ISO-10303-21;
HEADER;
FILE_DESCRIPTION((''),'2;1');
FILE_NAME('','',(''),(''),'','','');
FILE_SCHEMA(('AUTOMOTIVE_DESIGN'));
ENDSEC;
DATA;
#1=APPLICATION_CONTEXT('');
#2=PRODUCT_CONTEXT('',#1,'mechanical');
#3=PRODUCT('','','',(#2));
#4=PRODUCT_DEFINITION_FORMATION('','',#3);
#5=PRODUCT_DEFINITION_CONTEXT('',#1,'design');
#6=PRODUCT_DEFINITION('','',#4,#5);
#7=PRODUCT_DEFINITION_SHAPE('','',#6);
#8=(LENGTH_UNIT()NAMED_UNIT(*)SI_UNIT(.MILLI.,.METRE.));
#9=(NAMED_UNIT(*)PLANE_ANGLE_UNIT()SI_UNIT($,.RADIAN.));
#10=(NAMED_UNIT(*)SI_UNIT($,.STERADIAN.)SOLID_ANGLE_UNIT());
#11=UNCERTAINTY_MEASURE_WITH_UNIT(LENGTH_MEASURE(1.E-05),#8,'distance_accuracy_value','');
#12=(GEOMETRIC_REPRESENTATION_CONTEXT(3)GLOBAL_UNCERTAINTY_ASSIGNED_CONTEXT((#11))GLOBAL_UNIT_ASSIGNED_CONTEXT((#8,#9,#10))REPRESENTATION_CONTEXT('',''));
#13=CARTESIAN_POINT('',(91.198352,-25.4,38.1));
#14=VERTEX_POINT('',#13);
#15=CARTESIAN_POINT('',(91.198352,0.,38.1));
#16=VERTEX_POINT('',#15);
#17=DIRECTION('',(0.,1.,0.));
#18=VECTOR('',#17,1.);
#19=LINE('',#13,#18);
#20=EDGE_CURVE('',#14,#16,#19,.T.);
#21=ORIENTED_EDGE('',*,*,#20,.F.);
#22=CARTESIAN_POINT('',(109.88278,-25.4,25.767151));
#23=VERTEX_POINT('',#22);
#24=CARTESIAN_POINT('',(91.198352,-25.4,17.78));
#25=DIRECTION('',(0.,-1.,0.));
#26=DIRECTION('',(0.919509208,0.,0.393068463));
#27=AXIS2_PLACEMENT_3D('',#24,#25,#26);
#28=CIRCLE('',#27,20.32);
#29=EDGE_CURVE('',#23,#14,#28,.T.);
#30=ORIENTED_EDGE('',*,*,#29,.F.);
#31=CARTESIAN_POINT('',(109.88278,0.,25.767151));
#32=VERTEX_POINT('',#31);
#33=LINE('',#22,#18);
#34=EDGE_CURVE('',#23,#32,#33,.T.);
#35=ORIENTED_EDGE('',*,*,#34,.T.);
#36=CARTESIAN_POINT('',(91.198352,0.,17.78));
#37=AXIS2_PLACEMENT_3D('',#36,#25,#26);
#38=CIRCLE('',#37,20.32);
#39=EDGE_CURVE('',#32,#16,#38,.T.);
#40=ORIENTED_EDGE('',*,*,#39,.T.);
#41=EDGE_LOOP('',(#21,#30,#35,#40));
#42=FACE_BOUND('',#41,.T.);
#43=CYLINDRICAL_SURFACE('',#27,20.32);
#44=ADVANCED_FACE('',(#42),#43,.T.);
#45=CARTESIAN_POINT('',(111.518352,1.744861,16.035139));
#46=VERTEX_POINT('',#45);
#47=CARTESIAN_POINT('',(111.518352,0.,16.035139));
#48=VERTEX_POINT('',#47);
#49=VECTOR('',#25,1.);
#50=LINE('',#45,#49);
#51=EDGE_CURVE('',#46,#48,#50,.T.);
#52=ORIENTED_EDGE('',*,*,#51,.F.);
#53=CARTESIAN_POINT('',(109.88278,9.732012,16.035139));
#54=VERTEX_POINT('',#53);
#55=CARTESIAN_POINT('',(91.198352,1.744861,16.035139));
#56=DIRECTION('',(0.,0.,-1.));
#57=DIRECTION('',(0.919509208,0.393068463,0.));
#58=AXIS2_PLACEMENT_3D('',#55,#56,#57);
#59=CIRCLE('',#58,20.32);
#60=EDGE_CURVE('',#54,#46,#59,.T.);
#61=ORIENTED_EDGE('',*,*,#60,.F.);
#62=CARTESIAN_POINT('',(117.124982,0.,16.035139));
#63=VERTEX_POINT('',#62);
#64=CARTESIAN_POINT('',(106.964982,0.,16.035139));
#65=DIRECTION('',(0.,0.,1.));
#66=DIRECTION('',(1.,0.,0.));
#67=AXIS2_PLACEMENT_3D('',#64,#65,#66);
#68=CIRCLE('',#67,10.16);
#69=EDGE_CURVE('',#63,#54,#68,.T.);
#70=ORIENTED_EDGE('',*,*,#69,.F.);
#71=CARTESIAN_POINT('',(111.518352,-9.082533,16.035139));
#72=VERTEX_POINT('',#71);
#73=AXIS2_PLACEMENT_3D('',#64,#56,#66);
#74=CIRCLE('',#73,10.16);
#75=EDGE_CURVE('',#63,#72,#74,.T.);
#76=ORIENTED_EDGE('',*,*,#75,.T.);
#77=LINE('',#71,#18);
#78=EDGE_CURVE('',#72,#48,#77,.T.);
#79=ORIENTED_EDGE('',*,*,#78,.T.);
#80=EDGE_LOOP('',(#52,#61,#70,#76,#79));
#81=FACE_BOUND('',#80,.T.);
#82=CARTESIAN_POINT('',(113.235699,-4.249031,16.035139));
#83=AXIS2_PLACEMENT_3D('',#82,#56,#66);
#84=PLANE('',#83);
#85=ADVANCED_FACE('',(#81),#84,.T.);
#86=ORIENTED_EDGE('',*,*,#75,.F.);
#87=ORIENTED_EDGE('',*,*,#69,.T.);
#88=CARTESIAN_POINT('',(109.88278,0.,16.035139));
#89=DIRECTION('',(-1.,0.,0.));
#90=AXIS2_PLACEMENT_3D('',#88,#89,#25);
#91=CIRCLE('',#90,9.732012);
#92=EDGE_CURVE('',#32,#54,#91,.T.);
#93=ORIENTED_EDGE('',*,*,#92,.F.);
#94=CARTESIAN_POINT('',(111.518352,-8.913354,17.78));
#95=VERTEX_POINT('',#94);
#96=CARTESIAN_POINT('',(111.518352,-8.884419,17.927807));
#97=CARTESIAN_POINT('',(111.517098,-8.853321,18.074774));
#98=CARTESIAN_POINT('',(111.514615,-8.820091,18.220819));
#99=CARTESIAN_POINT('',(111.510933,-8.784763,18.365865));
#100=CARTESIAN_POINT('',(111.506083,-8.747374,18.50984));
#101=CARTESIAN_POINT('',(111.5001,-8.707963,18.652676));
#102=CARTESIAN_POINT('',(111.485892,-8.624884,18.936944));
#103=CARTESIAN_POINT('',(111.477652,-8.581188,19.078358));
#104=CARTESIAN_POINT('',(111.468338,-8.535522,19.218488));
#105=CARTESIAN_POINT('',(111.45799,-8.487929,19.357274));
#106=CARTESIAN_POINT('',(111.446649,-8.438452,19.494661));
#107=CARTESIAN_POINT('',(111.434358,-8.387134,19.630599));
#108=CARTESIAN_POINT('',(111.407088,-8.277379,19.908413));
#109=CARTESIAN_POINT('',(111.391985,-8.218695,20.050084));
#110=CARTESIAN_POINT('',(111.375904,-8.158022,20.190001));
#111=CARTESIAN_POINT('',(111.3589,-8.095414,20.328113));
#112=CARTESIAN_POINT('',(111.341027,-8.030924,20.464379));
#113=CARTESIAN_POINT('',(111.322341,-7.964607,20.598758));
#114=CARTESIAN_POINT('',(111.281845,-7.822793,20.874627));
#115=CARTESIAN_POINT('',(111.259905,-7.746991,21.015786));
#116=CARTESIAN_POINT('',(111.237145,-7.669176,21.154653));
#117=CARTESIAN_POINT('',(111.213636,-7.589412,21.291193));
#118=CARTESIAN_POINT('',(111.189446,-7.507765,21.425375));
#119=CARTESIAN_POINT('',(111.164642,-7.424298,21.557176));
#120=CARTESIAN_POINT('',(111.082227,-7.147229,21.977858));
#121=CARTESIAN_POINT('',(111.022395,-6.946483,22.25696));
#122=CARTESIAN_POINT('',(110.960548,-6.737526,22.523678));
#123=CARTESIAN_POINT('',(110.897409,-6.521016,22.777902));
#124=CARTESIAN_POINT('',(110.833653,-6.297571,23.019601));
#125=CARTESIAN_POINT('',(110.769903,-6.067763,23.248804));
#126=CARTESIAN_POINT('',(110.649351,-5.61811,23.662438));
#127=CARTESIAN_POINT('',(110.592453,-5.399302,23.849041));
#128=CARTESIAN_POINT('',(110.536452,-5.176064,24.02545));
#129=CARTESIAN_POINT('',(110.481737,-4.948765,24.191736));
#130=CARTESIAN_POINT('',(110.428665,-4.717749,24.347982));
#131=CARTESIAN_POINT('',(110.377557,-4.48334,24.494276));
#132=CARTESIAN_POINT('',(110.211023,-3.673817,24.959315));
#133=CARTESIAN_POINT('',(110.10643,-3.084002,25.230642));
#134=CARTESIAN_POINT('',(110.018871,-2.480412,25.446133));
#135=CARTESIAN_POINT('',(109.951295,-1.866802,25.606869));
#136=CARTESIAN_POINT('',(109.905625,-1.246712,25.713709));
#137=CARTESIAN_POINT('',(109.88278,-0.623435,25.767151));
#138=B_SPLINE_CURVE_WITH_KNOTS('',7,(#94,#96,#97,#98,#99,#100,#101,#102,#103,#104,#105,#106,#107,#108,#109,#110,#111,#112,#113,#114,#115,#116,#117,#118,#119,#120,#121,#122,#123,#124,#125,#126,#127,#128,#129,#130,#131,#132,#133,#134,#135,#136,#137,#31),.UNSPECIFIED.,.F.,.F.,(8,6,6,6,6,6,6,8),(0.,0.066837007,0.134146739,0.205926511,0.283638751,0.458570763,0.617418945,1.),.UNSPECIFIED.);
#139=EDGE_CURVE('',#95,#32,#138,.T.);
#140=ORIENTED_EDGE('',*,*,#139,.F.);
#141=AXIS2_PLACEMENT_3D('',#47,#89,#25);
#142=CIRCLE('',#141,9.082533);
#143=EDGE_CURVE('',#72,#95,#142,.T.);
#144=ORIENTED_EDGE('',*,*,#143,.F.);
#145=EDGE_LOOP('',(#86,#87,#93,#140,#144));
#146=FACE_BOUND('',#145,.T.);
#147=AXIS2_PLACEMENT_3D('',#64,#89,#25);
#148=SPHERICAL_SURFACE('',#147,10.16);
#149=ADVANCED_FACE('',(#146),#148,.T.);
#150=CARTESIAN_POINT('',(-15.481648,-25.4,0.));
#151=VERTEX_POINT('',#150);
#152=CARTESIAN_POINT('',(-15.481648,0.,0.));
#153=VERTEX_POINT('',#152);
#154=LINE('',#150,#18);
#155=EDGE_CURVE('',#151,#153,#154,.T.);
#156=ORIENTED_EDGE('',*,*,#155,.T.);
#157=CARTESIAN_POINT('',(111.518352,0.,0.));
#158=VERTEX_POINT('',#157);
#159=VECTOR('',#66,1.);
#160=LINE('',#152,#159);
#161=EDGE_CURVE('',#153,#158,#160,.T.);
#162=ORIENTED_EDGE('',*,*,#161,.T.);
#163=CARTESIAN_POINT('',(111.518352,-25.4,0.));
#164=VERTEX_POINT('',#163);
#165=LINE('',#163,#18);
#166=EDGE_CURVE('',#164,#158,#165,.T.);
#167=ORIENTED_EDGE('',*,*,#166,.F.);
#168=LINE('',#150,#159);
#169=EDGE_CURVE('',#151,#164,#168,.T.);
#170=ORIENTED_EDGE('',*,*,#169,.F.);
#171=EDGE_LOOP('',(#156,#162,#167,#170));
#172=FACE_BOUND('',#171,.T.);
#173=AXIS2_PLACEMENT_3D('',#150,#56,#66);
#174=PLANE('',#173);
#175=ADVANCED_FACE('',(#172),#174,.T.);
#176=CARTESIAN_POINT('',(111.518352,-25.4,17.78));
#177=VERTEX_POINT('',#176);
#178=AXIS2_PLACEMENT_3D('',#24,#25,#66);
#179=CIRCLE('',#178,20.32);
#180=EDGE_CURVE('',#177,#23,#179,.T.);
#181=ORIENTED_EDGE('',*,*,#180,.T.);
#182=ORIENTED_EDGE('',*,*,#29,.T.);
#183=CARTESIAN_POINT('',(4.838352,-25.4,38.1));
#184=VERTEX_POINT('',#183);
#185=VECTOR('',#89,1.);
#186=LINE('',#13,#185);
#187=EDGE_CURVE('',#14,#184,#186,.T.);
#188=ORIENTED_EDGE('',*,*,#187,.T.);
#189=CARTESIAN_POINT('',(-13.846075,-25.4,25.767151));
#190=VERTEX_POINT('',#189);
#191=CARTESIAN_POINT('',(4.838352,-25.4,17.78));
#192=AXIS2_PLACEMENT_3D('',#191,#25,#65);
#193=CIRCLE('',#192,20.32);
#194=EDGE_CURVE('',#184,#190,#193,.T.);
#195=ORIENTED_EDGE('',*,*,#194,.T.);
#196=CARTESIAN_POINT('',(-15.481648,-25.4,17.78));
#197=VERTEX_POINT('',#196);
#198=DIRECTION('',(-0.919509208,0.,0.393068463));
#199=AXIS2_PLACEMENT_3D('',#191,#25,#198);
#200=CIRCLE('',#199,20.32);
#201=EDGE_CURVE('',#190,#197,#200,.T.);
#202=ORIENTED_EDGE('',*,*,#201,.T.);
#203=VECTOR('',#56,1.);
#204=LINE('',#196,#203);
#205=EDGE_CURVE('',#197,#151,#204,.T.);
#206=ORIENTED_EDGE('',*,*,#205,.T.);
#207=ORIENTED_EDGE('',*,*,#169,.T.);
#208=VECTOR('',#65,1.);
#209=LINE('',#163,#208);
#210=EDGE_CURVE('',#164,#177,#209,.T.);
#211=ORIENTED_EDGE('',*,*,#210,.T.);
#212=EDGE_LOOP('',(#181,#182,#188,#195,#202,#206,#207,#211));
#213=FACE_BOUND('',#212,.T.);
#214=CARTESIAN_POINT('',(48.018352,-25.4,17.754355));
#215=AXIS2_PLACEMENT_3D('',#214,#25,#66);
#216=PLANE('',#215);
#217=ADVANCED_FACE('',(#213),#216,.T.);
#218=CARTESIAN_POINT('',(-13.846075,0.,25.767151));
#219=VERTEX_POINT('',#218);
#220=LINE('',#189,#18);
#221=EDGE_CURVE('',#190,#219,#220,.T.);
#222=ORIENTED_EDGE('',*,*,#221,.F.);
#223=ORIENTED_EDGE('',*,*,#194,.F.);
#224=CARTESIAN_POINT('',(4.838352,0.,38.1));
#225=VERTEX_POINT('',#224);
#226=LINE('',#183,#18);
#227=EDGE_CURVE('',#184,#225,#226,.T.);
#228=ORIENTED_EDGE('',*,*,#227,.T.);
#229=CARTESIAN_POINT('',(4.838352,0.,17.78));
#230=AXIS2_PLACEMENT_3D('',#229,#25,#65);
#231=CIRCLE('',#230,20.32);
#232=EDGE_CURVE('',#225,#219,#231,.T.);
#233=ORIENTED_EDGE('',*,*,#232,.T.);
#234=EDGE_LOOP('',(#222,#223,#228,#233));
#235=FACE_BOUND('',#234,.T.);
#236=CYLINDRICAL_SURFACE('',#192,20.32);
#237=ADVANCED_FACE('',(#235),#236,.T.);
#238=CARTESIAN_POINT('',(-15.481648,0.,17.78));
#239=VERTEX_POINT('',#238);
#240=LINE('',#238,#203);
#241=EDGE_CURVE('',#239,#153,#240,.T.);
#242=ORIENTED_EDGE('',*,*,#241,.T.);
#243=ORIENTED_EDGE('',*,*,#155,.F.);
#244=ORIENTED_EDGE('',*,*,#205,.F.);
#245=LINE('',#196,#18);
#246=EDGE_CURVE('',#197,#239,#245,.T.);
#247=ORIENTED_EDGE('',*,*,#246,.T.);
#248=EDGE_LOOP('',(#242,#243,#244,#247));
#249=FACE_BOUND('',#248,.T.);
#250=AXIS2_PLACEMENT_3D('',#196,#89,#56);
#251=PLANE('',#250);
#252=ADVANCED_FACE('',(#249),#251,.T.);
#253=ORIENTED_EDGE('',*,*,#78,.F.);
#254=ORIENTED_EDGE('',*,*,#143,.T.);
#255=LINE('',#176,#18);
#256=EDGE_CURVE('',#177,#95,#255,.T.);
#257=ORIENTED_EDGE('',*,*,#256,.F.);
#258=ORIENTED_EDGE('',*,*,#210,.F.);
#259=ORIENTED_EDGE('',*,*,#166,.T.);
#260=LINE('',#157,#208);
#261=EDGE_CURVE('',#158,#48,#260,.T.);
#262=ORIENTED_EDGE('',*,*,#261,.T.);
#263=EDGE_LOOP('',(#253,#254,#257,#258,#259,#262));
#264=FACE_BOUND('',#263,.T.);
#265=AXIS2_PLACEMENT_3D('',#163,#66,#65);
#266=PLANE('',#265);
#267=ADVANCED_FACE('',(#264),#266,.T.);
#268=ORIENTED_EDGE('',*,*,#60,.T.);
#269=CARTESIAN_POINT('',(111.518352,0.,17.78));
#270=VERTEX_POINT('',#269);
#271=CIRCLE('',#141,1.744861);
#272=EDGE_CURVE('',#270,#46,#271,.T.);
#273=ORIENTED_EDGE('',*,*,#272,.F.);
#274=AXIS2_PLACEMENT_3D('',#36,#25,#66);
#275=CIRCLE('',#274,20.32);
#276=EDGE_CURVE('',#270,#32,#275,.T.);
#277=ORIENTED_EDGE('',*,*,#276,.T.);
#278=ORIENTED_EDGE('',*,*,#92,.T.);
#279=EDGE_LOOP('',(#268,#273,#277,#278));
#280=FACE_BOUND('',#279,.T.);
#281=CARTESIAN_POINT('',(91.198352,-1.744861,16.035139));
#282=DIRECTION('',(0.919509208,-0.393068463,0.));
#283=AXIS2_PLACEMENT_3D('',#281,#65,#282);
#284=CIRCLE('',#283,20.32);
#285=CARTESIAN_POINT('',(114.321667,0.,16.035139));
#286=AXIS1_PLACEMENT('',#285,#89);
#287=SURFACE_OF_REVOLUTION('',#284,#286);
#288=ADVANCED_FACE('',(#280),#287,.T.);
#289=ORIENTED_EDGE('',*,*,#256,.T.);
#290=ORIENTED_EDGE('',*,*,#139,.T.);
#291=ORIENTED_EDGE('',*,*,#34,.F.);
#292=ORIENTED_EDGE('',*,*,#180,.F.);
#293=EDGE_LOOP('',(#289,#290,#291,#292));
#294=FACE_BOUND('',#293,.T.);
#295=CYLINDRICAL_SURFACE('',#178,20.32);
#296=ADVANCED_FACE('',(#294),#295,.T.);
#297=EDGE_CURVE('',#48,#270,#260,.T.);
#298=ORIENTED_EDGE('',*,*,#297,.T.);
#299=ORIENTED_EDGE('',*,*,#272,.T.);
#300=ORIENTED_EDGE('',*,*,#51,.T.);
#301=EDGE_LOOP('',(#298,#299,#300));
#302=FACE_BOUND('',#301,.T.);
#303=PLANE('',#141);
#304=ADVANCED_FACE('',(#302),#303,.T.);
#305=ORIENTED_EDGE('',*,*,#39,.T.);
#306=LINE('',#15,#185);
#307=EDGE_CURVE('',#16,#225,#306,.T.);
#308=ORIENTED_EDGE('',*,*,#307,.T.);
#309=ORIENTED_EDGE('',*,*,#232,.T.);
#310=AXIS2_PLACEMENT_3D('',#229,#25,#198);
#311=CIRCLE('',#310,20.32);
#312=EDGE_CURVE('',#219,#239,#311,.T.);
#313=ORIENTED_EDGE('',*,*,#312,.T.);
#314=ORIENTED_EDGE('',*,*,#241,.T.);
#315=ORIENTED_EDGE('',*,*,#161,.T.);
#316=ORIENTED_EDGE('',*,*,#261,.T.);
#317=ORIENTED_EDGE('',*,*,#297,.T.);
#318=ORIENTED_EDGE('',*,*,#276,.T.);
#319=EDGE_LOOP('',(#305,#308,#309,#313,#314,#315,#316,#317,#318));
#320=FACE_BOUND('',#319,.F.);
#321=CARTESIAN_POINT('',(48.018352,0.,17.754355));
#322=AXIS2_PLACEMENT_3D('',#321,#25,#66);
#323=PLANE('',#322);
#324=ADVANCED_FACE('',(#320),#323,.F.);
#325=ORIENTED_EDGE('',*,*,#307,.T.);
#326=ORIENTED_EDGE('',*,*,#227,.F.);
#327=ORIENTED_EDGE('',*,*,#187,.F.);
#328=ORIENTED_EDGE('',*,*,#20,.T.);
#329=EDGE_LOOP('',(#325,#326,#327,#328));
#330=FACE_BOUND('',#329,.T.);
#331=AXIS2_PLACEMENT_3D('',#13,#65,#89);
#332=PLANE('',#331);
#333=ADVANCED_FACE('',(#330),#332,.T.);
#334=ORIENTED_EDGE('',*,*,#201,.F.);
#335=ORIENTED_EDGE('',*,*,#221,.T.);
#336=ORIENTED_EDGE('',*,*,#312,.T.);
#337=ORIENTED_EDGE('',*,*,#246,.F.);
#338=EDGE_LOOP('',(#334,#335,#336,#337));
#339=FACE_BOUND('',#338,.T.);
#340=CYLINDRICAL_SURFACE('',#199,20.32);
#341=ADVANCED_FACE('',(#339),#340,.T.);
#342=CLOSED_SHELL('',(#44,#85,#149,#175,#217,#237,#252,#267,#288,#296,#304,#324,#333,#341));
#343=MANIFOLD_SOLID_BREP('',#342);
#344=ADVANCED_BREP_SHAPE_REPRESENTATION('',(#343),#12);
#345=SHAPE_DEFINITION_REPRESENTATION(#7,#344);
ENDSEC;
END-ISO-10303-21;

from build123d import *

# Parameters (mm, degrees)
F3_DEPTH      = 25.4
F4_ANGLE_BACK = 90
F4_ANGLE      = 180


with BuildPart() as f3:
    # F2 (on offset) → F3 (new body)
    with BuildSketch(Plane.XZ.offset(25.4)):
        with BuildLine():
            Line((111.518352419, 2.54), (111.518352419, 17.78))
            ThreePointArc((111.518352419, 17.78), (111.1052602487, 21.8564470631), (109.8827795196, 25.7671511769))
            ThreePointArc((109.8827795196, 25.7671511769), (102.3921785764, 34.7387928803), (91.198352419, 38.1))
            Line((91.198352419, 38.1), (4.838352419, 38.1))
            ThreePointArc((4.838352419, 38.1), (-6.3554737384, 34.7387928803), (-13.8460746816, 25.7671511769))
            ThreePointArc((-13.8460746816, 25.7671511769), (-15.0685554108, 21.8564470631), (-15.481647581, 17.78))
            Line((-15.481647581, 17.78), (-15.481647581, 16.035139312))
            Line((-15.481647581, 16.035139312), (-15.481647581, 0))
            Line((-15.481647581, 0), (111.518352419, 0))
            Line((111.518352419, 0), (111.518352419, 2.54))
        make_face()
    extrude(amount=-F3_DEPTH)

    # F0 (on Front) → F4 (revolve)
    with BuildSketch(Plane.XZ, mode=Mode.PRIVATE) as f4_sk:
        with BuildLine():
            ThreePointArc((117.1249815379, 16.035139312), (115.1157614851, 22.1006472259), (109.8827795196, 25.7671511769))
            ThreePointArc((109.8827795196, 25.7671511769), (111.1052602487, 21.8564470631), (111.518352419, 17.78))
            Line((111.518352419, 17.78), (111.518352419, 16.035139312))
            Line((111.518352419, 16.035139312), (117.1249815379, 16.035139312))
        make_face()
    revolve(f4_sk.sketch.rotate(Axis((114.3216669785, 0, 16.035139312), (-1, 0, 0)), -F4_ANGLE_BACK), axis=Axis((114.3216669785, 0, 16.035139312), (-1, 0, 0)), revolution_arc=F4_ANGLE)


solid = f3.part
